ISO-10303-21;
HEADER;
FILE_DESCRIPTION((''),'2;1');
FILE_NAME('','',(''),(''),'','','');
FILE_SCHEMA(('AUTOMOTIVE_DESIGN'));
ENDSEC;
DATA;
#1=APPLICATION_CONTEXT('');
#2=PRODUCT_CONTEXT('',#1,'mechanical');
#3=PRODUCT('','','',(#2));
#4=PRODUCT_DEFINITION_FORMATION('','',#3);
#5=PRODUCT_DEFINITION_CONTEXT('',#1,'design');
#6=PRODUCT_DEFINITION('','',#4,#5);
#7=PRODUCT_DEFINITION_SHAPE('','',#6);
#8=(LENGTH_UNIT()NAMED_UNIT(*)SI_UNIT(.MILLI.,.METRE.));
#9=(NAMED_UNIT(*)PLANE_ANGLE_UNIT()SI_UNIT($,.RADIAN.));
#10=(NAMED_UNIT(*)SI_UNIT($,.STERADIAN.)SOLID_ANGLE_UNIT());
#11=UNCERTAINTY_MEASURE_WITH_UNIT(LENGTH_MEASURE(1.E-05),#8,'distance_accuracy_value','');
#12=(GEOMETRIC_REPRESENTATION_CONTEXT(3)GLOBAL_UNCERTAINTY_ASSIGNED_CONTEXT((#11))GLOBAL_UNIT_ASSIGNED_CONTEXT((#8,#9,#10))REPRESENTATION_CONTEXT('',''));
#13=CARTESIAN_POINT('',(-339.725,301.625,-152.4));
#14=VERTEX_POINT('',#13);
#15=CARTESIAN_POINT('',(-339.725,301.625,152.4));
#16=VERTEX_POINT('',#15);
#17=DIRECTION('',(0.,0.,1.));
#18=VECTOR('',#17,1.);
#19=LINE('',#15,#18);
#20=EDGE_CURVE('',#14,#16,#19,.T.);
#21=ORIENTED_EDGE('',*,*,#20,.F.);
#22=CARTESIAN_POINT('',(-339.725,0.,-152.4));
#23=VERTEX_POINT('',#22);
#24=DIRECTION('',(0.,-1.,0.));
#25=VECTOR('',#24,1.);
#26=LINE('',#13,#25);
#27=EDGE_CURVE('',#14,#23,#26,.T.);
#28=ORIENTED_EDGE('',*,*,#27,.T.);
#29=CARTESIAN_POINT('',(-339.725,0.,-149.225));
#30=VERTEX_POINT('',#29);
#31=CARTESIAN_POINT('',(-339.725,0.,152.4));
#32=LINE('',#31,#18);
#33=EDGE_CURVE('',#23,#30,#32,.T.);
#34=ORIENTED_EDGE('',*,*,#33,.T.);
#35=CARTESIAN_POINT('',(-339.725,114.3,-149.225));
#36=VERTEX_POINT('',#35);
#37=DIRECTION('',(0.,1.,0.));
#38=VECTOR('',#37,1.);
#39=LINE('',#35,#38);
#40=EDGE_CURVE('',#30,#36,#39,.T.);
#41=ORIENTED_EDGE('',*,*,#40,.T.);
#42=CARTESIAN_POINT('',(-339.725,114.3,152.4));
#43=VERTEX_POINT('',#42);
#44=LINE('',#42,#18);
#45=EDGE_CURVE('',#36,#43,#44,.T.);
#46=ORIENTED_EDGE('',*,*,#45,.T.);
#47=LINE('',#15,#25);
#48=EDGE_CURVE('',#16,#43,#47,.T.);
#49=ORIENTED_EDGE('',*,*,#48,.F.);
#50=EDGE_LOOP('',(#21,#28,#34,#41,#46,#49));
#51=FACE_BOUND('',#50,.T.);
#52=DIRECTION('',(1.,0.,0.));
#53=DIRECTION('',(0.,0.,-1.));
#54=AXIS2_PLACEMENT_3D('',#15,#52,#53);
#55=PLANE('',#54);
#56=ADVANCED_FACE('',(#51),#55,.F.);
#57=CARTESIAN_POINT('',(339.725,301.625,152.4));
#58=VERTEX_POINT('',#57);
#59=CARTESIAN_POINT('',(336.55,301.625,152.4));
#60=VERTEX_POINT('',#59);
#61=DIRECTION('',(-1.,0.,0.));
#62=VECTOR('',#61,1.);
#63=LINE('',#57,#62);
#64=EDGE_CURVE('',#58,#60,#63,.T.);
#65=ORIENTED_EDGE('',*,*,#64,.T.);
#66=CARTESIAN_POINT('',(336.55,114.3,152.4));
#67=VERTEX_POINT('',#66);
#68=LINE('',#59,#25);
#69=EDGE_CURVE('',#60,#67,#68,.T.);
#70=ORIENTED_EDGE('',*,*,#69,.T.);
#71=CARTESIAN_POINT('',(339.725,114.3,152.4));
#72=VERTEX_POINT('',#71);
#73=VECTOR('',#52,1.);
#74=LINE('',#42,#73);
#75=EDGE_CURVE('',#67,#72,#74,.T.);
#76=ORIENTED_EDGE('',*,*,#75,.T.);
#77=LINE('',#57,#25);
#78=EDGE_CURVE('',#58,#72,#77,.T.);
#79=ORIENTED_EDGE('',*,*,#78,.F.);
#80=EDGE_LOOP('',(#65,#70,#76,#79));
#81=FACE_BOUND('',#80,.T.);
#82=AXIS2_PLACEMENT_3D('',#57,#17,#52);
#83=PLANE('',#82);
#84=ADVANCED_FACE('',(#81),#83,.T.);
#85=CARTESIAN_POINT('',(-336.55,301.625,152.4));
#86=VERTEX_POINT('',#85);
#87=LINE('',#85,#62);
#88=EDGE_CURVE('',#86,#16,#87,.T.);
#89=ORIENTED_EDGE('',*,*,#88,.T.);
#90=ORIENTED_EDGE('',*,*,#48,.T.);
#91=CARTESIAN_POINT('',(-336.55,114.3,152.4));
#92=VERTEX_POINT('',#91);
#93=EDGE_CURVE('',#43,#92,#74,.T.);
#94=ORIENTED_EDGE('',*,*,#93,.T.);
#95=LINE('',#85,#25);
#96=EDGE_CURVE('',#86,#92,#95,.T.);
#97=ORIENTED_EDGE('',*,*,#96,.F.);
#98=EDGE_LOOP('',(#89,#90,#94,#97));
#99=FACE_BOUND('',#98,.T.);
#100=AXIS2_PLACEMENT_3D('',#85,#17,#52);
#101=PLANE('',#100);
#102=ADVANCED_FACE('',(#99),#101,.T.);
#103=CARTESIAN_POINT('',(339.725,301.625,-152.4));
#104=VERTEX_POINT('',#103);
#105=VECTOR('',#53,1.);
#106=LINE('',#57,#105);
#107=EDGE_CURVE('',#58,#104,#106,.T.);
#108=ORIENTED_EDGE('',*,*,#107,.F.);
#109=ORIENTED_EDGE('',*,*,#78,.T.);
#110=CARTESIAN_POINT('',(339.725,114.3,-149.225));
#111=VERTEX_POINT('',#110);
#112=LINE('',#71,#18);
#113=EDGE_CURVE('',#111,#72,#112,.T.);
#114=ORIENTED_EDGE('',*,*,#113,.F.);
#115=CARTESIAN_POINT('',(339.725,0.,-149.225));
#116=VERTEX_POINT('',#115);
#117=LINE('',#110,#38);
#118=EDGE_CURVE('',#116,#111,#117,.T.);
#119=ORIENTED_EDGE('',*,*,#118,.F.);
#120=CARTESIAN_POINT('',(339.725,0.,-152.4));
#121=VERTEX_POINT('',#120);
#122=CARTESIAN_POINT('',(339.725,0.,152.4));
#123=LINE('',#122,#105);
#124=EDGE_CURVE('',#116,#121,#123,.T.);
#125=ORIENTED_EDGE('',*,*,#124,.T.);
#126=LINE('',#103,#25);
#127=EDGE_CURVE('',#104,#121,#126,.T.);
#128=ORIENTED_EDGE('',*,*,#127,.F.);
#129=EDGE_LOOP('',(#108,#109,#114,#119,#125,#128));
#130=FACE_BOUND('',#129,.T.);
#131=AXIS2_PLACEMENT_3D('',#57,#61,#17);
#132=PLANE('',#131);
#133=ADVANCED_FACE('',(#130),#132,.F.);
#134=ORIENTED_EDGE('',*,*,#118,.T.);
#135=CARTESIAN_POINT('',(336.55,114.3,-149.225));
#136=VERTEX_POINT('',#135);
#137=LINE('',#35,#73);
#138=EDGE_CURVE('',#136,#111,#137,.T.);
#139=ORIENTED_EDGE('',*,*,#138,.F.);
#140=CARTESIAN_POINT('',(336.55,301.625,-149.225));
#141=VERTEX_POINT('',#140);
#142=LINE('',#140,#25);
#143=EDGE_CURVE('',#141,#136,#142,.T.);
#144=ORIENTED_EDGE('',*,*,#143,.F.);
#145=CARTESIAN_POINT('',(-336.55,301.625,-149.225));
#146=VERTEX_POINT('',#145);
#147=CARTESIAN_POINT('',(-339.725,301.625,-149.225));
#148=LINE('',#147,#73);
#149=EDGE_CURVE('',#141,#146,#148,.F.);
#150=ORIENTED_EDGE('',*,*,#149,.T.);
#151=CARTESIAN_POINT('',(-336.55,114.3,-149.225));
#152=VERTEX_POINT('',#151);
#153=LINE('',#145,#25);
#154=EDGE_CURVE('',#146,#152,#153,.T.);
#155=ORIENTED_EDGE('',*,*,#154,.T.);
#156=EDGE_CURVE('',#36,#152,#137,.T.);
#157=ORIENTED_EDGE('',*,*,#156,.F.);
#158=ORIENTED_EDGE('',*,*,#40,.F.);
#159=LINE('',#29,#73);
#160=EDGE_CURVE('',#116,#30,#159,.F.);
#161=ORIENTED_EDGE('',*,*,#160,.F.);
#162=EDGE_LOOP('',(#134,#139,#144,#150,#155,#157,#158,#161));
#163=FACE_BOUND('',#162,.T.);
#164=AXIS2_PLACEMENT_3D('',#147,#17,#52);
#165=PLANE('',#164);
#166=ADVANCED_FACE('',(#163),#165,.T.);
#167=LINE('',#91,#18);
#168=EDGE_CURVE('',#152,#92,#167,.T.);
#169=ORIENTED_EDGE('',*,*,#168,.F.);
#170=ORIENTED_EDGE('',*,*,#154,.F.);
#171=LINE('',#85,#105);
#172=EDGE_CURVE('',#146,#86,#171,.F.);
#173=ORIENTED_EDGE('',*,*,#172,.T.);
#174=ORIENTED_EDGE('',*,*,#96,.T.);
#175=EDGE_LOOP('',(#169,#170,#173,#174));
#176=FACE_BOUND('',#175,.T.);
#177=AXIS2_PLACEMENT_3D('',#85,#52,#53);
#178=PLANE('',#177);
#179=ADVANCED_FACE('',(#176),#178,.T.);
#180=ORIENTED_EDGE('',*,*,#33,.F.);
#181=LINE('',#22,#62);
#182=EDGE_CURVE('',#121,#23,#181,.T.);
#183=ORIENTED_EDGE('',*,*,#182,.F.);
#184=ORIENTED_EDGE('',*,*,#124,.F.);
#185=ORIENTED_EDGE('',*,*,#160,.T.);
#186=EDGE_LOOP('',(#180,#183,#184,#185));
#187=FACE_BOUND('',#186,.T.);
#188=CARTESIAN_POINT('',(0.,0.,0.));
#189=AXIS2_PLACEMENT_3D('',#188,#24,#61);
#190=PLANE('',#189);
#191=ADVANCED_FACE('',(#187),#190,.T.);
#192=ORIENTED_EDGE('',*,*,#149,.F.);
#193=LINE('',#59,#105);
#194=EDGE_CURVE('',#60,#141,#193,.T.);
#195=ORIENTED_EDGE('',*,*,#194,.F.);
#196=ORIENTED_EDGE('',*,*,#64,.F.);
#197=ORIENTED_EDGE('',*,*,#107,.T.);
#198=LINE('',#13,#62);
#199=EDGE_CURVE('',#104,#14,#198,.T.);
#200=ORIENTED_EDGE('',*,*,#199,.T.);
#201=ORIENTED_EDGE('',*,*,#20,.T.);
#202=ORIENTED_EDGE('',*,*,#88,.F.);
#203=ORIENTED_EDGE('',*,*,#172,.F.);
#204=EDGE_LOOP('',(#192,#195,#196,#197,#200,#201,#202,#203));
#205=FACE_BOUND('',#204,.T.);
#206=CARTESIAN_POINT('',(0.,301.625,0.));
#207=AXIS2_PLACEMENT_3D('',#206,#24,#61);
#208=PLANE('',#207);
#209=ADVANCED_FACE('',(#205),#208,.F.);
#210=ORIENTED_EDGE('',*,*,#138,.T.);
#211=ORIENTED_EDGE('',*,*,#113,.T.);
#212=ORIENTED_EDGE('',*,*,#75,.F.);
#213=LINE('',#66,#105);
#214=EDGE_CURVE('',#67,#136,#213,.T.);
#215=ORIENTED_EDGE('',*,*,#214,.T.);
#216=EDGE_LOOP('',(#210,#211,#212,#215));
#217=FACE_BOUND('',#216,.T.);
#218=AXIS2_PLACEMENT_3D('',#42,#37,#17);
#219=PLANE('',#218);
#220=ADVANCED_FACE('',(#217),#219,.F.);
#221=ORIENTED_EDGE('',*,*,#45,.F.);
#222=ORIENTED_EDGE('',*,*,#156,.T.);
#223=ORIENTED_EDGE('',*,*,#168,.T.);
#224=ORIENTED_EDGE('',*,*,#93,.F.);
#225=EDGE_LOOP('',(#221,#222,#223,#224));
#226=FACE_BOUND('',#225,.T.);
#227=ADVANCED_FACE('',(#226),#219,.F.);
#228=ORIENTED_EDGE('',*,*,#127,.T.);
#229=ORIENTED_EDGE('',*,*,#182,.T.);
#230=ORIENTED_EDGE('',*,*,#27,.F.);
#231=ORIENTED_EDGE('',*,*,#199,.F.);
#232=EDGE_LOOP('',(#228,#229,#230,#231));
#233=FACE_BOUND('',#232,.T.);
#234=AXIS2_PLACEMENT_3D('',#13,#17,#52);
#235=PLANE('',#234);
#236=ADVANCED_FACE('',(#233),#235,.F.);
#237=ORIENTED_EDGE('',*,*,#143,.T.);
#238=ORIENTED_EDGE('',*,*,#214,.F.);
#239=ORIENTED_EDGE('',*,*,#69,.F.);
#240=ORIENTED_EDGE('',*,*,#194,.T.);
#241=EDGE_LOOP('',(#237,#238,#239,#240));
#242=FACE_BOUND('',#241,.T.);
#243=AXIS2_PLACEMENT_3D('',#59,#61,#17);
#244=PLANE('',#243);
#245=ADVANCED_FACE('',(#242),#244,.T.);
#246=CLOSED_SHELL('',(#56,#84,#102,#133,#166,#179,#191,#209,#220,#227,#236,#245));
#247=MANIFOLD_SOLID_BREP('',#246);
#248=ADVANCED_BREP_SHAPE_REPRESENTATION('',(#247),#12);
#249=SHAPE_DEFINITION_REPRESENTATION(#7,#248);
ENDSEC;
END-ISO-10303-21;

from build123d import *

# Parameters (mm, degrees)
EXTRUDE_THIN1_DEPTH     = 301.625
SKETCH2_W               = 301.625
SKETCH2_H               = 114.3
CUT_EXTRUDE1_DEPTH      = 677.275
CUT_EXTRUDE1_DEPTH_BACK = 4.175


with BuildPart() as part:
    # Sketch1 → Extrude-Thin1 (new body)
    with BuildSketch(Plane(origin=(0, 0, 0), x_dir=(1, 0, 0), z_dir=(0, 1, 0))):
        Polygon((-339.725, -152.4), (-339.725, 152.4), (339.725, 152.4), (339.725, -152.4), (336.55, -152.4), (336.55, 149.225), (-336.55, 149.225), (-336.55, -152.4), align=None)
    extrude(amount=EXTRUDE_THIN1_DEPTH)

    # Sketch2 → Cut-Extrude1 (cut, two sides)
    with BuildSketch(Plane(origin=(-336.55, 0, 0), x_dir=(0, 0, -1), z_dir=(1, 0, 0))) as cut_extrude1_sk:
        with Locations((-1.5875, 57.15)):
            Rectangle(SKETCH2_W, SKETCH2_H)
    extrude(amount=CUT_EXTRUDE1_DEPTH, mode=Mode.SUBTRACT)
    extrude(cut_extrude1_sk.sketch, amount=-CUT_EXTRUDE1_DEPTH_BACK, mode=Mode.SUBTRACT)


solid = part.part
